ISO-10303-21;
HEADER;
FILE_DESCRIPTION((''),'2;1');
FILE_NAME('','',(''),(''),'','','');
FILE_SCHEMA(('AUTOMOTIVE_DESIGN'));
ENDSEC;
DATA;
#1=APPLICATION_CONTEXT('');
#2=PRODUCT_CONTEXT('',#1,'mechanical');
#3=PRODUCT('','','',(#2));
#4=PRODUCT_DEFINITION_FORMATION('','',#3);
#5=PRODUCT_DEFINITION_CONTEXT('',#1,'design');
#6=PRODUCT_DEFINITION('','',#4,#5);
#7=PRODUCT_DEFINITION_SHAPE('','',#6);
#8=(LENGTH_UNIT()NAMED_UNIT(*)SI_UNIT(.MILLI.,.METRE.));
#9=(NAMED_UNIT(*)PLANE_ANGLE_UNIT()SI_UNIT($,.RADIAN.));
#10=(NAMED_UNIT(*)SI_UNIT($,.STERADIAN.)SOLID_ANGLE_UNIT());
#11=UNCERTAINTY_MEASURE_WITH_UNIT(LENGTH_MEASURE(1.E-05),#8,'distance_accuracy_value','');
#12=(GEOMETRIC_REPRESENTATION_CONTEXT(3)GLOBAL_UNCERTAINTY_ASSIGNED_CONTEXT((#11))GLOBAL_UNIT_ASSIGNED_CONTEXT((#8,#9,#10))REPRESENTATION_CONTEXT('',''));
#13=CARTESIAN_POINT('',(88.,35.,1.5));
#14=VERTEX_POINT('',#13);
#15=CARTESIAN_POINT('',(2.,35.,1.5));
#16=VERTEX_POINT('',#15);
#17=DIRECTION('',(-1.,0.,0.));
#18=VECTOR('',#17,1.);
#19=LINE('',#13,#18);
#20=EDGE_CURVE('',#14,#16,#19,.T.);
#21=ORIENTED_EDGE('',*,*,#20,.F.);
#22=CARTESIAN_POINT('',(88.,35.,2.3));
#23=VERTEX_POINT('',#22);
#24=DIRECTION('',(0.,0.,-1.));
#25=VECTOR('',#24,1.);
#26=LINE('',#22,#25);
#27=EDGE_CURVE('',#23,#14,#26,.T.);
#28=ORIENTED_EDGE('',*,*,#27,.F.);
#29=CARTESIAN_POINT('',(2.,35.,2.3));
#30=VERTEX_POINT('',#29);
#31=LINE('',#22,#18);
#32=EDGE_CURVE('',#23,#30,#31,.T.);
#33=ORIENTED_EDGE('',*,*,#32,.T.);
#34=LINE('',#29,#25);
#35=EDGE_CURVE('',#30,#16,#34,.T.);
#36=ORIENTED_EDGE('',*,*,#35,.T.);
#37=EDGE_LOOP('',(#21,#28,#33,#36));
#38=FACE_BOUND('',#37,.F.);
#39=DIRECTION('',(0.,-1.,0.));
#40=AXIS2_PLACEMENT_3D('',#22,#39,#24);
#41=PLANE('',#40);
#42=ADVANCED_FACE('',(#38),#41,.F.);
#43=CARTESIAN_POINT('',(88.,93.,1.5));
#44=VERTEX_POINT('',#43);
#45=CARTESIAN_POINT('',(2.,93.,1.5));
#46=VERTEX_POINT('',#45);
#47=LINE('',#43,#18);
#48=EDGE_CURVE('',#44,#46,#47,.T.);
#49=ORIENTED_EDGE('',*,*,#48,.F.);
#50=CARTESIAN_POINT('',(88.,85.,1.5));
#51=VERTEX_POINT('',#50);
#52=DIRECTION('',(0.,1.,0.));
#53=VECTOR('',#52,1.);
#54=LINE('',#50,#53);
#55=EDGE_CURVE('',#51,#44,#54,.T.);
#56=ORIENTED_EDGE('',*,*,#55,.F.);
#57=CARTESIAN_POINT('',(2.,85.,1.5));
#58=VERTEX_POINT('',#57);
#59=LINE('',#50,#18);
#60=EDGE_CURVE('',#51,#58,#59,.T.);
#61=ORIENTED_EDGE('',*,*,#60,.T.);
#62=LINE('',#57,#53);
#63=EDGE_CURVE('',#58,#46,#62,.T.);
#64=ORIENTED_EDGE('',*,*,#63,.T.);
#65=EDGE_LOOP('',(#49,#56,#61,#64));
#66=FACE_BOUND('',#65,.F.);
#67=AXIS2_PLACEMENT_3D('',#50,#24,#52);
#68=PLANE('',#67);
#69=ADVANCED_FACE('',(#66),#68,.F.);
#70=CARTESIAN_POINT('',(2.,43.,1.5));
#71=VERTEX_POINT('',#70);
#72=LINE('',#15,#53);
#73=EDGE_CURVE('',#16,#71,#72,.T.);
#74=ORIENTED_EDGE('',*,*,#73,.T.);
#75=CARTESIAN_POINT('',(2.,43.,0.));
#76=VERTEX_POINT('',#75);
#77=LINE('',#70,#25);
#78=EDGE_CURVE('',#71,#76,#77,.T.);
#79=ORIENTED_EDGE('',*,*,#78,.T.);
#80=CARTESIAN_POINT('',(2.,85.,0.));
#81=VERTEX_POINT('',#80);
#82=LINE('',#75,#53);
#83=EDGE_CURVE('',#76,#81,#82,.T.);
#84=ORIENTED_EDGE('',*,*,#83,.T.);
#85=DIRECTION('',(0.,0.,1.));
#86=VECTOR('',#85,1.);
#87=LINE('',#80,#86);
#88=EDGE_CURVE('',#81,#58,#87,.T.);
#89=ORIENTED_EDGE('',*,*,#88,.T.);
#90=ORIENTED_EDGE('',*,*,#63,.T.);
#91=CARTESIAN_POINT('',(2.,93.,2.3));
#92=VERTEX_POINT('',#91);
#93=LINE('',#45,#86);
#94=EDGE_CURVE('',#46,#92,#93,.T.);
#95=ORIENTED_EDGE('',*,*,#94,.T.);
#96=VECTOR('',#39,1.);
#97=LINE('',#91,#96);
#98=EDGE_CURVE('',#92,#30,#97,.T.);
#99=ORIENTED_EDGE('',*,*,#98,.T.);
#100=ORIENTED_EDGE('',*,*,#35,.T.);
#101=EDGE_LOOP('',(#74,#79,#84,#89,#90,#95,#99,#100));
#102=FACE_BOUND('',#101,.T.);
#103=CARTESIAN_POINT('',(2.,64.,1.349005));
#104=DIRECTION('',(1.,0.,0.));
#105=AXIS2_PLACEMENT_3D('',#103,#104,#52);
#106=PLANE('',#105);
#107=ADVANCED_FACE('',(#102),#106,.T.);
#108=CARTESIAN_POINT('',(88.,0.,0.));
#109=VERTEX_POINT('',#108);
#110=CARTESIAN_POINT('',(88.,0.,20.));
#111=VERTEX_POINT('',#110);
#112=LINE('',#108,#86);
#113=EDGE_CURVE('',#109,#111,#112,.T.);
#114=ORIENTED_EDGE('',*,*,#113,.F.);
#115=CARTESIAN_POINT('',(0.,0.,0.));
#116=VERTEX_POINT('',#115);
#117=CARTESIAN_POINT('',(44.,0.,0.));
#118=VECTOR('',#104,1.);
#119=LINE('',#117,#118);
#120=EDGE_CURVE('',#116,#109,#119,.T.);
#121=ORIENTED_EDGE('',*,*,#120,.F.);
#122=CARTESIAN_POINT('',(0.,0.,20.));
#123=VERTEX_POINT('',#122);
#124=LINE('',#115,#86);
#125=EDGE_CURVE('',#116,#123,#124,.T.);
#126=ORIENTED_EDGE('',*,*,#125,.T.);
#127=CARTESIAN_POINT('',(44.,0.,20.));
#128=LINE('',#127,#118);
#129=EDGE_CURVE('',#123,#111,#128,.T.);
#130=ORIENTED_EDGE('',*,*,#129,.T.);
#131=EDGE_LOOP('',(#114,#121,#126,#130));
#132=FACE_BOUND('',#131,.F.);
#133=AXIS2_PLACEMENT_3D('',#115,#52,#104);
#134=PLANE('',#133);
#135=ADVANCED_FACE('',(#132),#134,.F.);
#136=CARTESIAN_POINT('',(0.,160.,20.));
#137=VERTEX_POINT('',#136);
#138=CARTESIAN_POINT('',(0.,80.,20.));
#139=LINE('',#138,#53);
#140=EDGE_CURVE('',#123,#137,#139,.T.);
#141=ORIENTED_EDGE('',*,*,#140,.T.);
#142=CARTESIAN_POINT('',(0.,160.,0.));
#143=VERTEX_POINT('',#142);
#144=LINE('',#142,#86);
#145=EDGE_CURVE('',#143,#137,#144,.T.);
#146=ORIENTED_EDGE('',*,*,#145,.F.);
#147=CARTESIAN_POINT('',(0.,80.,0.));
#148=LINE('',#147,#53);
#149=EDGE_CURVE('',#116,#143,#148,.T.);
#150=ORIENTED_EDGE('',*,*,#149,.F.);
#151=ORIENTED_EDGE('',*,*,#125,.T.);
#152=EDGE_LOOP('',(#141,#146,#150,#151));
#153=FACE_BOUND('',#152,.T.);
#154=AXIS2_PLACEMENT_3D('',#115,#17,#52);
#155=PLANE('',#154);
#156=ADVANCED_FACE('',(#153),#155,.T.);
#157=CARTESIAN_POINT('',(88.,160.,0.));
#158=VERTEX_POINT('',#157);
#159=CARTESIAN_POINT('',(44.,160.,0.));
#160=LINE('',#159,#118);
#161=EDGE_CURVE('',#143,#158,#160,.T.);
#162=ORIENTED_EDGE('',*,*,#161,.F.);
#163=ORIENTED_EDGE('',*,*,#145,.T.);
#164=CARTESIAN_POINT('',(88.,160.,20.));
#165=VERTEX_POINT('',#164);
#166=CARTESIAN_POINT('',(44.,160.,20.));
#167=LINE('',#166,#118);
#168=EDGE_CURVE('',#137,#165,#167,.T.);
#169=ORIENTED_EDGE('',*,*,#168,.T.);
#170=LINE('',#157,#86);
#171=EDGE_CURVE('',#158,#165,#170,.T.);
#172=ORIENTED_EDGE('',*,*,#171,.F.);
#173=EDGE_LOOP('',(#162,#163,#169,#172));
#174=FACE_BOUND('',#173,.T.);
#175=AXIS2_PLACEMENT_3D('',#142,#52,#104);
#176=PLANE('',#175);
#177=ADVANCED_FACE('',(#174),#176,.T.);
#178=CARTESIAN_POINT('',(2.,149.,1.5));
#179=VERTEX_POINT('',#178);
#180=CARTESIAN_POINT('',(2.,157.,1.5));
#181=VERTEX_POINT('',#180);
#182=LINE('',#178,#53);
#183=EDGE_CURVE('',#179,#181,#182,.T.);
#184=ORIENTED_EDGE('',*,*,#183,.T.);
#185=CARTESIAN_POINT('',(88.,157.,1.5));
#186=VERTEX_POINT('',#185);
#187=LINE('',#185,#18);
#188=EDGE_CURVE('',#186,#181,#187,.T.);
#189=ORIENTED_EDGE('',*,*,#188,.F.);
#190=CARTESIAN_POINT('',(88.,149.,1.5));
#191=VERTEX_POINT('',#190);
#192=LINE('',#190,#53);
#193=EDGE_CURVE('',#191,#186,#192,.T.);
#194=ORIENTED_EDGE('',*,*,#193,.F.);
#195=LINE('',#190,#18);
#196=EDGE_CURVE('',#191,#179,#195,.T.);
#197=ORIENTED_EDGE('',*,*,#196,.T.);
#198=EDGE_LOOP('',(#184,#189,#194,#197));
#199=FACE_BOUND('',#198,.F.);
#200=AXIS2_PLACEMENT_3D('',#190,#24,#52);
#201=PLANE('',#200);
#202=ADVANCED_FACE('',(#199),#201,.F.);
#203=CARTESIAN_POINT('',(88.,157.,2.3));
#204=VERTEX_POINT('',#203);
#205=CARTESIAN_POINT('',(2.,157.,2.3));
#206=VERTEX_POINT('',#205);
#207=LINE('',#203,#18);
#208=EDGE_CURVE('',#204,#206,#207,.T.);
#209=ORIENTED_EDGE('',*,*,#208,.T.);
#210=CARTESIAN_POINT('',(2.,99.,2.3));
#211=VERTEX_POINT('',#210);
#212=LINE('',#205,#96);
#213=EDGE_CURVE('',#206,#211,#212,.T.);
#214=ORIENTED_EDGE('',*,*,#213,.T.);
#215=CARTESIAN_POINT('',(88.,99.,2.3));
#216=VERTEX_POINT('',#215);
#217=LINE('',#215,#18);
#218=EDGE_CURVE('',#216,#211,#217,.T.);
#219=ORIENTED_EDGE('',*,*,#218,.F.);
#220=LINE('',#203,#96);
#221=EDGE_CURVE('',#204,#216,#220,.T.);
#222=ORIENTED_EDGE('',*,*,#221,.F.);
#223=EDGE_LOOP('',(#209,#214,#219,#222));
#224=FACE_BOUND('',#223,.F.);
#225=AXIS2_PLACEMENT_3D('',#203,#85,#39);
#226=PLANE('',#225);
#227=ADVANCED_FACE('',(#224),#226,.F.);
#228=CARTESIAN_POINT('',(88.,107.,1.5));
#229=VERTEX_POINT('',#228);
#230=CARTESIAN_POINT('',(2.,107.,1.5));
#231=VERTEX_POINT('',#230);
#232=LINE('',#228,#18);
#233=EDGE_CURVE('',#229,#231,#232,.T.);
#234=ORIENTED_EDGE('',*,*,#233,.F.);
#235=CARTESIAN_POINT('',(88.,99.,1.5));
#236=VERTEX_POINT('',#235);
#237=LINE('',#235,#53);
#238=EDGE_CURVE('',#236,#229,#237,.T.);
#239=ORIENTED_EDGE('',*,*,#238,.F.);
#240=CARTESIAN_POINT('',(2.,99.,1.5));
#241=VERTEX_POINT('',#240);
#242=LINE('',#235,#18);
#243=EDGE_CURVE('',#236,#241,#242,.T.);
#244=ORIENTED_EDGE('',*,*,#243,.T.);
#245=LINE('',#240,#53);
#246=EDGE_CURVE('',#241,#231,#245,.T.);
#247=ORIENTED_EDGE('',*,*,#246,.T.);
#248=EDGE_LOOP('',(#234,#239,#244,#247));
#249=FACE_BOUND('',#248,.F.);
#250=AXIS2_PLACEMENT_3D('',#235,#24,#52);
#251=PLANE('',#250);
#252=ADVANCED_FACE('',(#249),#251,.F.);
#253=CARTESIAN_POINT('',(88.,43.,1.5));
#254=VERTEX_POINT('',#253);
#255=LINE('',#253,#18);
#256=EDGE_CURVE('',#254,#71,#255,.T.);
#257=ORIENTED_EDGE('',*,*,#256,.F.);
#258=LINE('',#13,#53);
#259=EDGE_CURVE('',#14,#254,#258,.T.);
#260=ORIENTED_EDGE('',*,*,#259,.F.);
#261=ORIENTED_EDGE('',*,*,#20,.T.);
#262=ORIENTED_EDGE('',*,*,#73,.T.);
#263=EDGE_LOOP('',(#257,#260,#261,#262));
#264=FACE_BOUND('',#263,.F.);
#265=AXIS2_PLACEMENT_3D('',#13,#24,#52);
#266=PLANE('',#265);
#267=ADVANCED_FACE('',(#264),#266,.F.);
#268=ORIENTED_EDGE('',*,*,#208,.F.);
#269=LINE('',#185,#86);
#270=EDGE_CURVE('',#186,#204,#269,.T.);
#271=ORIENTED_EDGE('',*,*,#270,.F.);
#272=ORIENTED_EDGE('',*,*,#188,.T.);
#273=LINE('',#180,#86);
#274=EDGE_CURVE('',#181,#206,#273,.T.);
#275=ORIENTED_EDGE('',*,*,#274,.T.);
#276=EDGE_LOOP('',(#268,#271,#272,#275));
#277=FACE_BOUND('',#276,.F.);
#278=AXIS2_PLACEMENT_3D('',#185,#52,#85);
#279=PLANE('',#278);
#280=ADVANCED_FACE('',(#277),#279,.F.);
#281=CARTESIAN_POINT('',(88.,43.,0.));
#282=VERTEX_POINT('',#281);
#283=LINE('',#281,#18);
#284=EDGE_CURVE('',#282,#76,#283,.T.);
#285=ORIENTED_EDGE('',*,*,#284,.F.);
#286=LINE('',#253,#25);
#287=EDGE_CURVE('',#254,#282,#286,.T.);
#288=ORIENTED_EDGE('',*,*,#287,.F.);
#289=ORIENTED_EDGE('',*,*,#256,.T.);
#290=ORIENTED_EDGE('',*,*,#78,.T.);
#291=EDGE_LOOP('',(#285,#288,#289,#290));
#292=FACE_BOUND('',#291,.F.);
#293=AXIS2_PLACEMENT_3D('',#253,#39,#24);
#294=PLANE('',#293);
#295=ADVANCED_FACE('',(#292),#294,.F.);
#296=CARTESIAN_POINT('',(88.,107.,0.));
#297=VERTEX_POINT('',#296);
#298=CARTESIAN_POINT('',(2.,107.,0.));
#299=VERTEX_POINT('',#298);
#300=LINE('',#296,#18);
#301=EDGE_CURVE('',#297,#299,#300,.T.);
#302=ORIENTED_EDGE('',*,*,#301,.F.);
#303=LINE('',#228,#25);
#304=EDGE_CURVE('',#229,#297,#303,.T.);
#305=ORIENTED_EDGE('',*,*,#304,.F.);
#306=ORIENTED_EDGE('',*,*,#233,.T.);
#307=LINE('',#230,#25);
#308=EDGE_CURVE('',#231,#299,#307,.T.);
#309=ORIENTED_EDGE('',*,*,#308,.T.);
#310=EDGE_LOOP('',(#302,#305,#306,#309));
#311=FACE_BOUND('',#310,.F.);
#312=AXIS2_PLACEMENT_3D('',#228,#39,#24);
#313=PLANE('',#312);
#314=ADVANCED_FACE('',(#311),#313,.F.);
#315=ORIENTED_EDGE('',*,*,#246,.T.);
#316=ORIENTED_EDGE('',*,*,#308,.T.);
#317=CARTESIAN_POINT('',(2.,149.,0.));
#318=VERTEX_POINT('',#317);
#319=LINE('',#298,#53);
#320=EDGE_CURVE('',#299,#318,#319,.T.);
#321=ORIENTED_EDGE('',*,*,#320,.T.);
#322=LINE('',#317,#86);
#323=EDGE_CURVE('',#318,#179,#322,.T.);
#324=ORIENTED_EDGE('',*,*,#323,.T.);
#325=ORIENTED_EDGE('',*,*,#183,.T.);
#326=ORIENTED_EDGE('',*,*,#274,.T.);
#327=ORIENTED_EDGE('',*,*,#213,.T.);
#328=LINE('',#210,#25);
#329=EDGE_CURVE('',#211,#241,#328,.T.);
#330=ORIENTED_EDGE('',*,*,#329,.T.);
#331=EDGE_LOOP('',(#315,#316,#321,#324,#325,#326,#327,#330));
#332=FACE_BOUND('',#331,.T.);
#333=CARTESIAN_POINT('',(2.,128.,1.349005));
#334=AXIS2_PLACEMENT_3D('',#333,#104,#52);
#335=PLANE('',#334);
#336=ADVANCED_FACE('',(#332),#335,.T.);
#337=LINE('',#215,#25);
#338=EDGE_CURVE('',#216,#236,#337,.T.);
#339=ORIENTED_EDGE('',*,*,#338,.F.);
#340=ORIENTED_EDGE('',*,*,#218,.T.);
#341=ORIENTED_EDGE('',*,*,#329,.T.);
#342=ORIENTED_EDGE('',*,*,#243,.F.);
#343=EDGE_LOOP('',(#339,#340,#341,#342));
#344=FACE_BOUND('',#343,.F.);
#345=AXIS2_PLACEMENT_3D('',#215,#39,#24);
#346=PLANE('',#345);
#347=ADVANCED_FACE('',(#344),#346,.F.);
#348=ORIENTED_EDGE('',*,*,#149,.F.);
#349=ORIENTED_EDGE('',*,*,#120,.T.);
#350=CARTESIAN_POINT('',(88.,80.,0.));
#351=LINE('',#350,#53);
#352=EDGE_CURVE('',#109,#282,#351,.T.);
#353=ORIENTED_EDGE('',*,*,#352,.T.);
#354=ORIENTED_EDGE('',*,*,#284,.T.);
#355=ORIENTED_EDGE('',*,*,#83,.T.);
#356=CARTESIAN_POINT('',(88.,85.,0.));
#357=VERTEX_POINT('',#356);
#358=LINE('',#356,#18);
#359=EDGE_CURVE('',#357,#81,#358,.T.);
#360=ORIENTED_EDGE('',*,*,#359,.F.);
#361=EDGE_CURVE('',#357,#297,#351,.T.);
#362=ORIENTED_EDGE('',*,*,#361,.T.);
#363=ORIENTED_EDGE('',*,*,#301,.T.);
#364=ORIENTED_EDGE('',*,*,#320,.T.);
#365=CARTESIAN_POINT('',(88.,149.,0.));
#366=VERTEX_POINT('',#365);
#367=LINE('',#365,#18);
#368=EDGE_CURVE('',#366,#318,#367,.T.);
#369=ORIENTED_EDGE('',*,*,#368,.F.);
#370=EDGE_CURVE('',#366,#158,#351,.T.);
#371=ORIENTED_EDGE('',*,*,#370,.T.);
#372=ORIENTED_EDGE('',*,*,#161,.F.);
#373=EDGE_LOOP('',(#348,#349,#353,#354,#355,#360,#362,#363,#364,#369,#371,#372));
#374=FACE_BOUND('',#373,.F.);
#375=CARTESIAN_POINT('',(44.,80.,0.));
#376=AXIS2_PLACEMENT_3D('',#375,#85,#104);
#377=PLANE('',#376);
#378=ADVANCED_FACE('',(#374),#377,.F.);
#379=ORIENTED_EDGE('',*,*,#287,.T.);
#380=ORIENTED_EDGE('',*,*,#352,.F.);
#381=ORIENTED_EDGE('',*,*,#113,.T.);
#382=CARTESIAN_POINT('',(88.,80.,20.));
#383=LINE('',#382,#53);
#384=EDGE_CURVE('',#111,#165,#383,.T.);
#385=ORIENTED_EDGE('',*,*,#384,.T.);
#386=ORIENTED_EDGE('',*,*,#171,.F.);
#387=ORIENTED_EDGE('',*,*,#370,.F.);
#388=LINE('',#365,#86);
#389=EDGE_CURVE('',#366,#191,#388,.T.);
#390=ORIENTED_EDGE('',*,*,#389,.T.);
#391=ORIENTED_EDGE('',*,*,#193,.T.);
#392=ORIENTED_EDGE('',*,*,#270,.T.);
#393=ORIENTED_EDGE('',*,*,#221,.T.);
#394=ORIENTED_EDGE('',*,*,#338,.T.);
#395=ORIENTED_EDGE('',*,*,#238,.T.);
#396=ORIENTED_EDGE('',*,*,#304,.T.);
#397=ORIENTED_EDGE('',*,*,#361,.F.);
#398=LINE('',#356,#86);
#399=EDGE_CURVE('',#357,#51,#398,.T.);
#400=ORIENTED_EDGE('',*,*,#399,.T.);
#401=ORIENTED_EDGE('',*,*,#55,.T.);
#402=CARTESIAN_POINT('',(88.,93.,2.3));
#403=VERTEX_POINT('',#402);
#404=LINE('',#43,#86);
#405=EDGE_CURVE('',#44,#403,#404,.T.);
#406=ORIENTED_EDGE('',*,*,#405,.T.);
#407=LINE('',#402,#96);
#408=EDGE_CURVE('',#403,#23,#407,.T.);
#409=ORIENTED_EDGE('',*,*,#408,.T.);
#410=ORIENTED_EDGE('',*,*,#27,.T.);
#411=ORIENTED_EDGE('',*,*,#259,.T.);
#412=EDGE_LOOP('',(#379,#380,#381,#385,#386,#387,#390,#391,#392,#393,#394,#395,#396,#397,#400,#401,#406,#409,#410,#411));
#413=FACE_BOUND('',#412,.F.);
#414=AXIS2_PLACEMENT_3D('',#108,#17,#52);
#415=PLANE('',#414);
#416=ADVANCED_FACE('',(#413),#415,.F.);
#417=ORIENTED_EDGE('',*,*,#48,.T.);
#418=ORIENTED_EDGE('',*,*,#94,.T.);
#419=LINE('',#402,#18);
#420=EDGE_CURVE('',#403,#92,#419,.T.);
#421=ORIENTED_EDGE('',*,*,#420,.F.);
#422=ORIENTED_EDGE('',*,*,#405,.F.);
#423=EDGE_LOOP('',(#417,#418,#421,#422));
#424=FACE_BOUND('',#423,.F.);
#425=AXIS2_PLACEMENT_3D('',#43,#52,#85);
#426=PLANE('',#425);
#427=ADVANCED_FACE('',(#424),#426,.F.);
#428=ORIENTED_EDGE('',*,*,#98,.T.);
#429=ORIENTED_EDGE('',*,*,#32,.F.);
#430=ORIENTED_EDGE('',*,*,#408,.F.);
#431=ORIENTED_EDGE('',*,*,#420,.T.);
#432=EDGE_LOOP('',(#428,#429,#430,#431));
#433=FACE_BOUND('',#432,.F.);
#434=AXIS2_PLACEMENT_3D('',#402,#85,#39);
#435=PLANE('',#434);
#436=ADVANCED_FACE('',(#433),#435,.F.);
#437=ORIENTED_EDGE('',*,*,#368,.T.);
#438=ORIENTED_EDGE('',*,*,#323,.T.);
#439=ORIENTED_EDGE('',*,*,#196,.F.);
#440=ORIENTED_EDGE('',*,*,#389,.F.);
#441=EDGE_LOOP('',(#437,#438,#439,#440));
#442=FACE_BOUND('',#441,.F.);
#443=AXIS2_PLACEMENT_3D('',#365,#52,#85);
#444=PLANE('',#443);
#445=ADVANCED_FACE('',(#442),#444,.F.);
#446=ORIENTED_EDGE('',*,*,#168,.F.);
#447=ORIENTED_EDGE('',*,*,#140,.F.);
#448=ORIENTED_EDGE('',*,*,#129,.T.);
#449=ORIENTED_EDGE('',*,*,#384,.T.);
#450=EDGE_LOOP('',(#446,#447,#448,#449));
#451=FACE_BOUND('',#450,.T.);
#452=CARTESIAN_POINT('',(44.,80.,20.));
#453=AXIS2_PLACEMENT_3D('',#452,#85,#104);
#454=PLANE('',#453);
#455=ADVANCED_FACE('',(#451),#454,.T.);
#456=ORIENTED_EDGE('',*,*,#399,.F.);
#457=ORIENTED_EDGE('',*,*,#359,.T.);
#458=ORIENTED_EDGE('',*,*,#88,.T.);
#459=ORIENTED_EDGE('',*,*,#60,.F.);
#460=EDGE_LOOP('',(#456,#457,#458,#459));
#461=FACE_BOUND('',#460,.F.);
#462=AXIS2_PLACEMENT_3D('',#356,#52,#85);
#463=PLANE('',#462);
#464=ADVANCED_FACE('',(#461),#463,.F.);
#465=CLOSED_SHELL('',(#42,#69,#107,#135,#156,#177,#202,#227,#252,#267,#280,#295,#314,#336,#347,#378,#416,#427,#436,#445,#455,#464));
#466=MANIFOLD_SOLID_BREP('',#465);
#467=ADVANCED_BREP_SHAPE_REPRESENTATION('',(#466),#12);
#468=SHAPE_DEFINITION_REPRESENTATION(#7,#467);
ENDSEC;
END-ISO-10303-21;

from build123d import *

# Parameters (mm, degrees)
F0_W     = 88
F0_H     = 160
F1_DEPTH = 20
F3_DEPTH = 86


with BuildPart() as f1:
    # F0 (on Top) → F1 (new body)
    with BuildSketch(Plane.XY):
        with Locations((44, 80)):
            Rectangle(F0_W, F0_H)
    extrude(amount=F1_DEPTH)

    # F2 (on face) → F3 (cut)
    with BuildSketch(Plane.YZ.offset(88)):
        Polygon((107, 0), (149, 0), (149, 1.5), (157, 1.5), (157, 2.3), (99, 2.3), (99, 1.5), (107, 1.5), align=None)
        Polygon((93, 1.5), (93, 2.3), (35, 2.3), (35, 1.5), (43, 1.5), (43, 0), (85, 0), (85, 1.5), align=None)
    extrude(amount=-F3_DEPTH, mode=Mode.SUBTRACT)


solid = f1.part
